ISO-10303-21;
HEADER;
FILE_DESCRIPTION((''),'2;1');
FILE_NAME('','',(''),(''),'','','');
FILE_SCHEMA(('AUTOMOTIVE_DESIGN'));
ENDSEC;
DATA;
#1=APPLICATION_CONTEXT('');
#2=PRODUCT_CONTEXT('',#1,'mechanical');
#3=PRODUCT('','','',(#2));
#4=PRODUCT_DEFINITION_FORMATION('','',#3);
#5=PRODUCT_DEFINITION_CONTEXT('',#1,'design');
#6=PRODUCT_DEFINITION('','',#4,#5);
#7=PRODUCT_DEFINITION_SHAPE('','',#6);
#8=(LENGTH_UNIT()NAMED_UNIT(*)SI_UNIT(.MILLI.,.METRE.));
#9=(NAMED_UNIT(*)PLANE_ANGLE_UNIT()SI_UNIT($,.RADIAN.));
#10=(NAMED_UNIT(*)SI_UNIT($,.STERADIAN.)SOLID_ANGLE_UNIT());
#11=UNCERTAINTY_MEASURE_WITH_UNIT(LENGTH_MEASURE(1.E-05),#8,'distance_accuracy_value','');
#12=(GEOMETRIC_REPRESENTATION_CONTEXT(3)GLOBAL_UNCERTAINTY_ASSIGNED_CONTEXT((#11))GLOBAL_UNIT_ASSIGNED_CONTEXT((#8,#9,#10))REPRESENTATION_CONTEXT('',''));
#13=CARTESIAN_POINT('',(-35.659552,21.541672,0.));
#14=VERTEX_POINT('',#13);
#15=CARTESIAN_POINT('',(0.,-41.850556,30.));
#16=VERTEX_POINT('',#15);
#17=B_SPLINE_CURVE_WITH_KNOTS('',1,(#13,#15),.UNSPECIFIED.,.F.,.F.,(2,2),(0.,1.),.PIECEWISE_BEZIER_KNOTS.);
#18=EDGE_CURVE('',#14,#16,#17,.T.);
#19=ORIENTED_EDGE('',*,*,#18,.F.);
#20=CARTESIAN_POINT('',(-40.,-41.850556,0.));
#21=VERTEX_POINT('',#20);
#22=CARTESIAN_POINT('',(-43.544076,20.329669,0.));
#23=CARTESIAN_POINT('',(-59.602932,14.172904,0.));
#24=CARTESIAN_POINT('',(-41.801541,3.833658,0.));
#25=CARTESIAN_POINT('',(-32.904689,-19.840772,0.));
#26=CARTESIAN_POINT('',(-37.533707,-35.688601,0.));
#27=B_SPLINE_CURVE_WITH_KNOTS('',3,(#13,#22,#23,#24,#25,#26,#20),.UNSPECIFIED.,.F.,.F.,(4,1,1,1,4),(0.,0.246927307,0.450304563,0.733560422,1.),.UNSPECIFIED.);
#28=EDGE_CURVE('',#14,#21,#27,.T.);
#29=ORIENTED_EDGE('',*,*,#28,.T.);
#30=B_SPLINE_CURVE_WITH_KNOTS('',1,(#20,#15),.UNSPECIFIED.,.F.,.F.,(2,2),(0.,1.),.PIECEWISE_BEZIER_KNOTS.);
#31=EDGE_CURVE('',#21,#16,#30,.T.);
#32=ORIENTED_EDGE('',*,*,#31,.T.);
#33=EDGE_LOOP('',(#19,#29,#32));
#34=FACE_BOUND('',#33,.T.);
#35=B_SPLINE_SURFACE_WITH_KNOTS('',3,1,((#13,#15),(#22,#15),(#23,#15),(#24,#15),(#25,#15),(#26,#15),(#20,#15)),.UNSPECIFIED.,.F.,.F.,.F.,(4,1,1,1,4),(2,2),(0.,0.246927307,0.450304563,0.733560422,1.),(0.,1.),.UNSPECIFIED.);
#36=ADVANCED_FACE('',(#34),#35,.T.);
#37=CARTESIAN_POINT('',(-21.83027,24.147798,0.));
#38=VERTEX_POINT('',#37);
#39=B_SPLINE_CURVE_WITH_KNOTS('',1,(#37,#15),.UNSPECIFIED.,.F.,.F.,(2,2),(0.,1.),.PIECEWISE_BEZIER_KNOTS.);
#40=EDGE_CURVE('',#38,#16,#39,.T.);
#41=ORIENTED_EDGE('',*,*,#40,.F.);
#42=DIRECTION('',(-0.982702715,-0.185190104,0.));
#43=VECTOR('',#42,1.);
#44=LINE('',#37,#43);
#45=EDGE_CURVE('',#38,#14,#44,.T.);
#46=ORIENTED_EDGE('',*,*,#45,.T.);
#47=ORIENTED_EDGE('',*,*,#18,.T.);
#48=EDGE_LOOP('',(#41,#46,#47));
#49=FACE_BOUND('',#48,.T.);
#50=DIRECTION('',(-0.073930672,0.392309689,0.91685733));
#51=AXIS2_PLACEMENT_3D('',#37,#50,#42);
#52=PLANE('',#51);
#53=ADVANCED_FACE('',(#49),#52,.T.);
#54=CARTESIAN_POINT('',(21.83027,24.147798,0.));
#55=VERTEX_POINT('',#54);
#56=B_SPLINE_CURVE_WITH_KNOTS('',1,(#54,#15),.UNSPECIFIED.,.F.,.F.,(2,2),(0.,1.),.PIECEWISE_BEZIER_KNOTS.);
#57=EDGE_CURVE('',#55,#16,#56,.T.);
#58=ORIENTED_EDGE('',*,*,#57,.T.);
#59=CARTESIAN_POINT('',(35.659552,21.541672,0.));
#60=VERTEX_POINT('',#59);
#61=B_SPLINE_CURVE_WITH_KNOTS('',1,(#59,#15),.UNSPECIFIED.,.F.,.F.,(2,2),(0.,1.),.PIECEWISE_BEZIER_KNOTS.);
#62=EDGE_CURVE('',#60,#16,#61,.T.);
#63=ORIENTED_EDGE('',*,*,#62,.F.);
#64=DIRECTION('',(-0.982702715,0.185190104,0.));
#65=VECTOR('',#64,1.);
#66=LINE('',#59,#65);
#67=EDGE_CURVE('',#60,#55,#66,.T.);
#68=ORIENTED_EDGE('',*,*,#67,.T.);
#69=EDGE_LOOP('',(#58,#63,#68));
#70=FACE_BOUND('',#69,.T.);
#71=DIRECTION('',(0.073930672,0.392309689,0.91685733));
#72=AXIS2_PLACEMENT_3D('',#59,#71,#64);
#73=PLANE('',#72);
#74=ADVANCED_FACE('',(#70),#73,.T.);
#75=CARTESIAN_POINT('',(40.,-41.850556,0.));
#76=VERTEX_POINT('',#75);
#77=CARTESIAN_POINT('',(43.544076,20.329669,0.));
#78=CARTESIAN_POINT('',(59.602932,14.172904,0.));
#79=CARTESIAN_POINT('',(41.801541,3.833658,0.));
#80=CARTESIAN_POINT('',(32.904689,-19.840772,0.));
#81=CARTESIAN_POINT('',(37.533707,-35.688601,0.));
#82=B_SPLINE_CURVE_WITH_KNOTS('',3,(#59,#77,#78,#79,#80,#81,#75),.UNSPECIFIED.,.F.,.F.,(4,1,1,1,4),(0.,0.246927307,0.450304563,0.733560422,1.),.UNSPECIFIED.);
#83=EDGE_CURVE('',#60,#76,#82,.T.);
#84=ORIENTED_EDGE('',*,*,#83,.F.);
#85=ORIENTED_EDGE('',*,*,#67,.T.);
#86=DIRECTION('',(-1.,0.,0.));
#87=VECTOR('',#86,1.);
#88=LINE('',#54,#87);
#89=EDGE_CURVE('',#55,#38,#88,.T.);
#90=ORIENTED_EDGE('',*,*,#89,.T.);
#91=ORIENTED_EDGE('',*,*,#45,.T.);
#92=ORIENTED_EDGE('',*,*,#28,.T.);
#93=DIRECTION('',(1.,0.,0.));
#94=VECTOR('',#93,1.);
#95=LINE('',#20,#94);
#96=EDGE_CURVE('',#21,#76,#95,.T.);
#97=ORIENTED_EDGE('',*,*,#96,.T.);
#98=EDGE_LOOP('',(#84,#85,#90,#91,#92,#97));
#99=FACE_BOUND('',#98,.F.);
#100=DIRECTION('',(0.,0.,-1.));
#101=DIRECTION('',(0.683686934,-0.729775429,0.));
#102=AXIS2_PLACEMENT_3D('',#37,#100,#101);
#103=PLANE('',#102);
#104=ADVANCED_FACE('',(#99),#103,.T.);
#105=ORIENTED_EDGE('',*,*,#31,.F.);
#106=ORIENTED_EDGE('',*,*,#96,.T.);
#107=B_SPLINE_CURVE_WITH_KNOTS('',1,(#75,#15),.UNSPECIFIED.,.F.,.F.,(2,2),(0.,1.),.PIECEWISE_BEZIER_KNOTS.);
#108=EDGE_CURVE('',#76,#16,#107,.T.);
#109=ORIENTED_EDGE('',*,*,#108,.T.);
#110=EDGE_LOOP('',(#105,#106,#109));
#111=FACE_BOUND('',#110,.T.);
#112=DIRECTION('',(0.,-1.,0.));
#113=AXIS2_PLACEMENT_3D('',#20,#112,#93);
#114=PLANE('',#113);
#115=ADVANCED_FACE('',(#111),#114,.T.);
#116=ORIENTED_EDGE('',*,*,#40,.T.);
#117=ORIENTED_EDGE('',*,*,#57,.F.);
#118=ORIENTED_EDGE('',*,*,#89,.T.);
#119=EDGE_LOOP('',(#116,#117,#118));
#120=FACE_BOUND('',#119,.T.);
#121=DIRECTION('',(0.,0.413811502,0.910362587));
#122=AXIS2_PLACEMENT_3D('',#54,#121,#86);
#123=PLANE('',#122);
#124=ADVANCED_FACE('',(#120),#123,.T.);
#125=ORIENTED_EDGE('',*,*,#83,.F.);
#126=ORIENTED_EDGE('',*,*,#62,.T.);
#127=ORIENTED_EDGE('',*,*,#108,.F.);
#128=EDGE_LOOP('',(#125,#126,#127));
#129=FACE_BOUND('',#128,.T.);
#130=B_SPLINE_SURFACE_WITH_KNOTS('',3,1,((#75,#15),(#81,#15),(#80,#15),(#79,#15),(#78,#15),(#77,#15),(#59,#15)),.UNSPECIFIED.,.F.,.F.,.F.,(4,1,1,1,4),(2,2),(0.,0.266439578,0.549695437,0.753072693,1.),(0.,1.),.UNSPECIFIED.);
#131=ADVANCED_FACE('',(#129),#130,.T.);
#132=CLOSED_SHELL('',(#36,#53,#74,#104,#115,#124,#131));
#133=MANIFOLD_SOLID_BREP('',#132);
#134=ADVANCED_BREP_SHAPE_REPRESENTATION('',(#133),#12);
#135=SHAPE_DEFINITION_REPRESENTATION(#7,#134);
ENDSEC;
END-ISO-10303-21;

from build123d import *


with BuildPart() as f3:
    # F0 (on Top) → F3 section 0
    with BuildSketch(Plane.XY, mode=Mode.PRIVATE) as f3_s0:
        with BuildLine():
            Line((-21.8302697269, 24.1477975046), (-35.6595516205, 21.5416724649))
            add(Edge.make_bspline(
                [(-35.6595516205, 21.5416724649), (-43.5440763831, 20.3296692466), (-59.6029324373, 14.1729042105), (-41.8015409405, 3.8336578149), (-32.9046887709, -19.8407724423), (-37.5337065326, -35.6886010498), (-40, -41.8505555594)],
                knots=[0, 0, 0, 0, 0.2469273066, 0.450304563, 0.7335604216, 1, 1, 1, 1], degree=3))
            Line((-40, -41.8505555594), (0, -41.8505555594))
            Line((0, -41.8505555594), (40, -41.8505555594))
            add(Edge.make_bspline(
                [(35.6595516205, 21.5416724649), (43.5440763831, 20.3296692466), (59.6029324373, 14.1729042105), (41.8015409405, 3.8336578149), (32.9046887709, -19.8407724423), (37.5337065326, -35.6886010498), (40, -41.8505555594)],
                knots=[0, 0, 0, 0, 0.2469273066, 0.450304563, 0.7335604216, 1, 1, 1, 1], degree=3))
            Line((35.6595516205, 21.5416724649), (21.8302697269, 24.1477975046))
            Line((21.8302697269, 24.1477975046), (0, 24.1477975046))
            Line((0, 24.1477975046), (-21.8302697269, 24.1477975046))
        make_face()
    loft([f3_s0.sketch, Vertex(0, -41.8505555594, 30)])


solid = f3.part
